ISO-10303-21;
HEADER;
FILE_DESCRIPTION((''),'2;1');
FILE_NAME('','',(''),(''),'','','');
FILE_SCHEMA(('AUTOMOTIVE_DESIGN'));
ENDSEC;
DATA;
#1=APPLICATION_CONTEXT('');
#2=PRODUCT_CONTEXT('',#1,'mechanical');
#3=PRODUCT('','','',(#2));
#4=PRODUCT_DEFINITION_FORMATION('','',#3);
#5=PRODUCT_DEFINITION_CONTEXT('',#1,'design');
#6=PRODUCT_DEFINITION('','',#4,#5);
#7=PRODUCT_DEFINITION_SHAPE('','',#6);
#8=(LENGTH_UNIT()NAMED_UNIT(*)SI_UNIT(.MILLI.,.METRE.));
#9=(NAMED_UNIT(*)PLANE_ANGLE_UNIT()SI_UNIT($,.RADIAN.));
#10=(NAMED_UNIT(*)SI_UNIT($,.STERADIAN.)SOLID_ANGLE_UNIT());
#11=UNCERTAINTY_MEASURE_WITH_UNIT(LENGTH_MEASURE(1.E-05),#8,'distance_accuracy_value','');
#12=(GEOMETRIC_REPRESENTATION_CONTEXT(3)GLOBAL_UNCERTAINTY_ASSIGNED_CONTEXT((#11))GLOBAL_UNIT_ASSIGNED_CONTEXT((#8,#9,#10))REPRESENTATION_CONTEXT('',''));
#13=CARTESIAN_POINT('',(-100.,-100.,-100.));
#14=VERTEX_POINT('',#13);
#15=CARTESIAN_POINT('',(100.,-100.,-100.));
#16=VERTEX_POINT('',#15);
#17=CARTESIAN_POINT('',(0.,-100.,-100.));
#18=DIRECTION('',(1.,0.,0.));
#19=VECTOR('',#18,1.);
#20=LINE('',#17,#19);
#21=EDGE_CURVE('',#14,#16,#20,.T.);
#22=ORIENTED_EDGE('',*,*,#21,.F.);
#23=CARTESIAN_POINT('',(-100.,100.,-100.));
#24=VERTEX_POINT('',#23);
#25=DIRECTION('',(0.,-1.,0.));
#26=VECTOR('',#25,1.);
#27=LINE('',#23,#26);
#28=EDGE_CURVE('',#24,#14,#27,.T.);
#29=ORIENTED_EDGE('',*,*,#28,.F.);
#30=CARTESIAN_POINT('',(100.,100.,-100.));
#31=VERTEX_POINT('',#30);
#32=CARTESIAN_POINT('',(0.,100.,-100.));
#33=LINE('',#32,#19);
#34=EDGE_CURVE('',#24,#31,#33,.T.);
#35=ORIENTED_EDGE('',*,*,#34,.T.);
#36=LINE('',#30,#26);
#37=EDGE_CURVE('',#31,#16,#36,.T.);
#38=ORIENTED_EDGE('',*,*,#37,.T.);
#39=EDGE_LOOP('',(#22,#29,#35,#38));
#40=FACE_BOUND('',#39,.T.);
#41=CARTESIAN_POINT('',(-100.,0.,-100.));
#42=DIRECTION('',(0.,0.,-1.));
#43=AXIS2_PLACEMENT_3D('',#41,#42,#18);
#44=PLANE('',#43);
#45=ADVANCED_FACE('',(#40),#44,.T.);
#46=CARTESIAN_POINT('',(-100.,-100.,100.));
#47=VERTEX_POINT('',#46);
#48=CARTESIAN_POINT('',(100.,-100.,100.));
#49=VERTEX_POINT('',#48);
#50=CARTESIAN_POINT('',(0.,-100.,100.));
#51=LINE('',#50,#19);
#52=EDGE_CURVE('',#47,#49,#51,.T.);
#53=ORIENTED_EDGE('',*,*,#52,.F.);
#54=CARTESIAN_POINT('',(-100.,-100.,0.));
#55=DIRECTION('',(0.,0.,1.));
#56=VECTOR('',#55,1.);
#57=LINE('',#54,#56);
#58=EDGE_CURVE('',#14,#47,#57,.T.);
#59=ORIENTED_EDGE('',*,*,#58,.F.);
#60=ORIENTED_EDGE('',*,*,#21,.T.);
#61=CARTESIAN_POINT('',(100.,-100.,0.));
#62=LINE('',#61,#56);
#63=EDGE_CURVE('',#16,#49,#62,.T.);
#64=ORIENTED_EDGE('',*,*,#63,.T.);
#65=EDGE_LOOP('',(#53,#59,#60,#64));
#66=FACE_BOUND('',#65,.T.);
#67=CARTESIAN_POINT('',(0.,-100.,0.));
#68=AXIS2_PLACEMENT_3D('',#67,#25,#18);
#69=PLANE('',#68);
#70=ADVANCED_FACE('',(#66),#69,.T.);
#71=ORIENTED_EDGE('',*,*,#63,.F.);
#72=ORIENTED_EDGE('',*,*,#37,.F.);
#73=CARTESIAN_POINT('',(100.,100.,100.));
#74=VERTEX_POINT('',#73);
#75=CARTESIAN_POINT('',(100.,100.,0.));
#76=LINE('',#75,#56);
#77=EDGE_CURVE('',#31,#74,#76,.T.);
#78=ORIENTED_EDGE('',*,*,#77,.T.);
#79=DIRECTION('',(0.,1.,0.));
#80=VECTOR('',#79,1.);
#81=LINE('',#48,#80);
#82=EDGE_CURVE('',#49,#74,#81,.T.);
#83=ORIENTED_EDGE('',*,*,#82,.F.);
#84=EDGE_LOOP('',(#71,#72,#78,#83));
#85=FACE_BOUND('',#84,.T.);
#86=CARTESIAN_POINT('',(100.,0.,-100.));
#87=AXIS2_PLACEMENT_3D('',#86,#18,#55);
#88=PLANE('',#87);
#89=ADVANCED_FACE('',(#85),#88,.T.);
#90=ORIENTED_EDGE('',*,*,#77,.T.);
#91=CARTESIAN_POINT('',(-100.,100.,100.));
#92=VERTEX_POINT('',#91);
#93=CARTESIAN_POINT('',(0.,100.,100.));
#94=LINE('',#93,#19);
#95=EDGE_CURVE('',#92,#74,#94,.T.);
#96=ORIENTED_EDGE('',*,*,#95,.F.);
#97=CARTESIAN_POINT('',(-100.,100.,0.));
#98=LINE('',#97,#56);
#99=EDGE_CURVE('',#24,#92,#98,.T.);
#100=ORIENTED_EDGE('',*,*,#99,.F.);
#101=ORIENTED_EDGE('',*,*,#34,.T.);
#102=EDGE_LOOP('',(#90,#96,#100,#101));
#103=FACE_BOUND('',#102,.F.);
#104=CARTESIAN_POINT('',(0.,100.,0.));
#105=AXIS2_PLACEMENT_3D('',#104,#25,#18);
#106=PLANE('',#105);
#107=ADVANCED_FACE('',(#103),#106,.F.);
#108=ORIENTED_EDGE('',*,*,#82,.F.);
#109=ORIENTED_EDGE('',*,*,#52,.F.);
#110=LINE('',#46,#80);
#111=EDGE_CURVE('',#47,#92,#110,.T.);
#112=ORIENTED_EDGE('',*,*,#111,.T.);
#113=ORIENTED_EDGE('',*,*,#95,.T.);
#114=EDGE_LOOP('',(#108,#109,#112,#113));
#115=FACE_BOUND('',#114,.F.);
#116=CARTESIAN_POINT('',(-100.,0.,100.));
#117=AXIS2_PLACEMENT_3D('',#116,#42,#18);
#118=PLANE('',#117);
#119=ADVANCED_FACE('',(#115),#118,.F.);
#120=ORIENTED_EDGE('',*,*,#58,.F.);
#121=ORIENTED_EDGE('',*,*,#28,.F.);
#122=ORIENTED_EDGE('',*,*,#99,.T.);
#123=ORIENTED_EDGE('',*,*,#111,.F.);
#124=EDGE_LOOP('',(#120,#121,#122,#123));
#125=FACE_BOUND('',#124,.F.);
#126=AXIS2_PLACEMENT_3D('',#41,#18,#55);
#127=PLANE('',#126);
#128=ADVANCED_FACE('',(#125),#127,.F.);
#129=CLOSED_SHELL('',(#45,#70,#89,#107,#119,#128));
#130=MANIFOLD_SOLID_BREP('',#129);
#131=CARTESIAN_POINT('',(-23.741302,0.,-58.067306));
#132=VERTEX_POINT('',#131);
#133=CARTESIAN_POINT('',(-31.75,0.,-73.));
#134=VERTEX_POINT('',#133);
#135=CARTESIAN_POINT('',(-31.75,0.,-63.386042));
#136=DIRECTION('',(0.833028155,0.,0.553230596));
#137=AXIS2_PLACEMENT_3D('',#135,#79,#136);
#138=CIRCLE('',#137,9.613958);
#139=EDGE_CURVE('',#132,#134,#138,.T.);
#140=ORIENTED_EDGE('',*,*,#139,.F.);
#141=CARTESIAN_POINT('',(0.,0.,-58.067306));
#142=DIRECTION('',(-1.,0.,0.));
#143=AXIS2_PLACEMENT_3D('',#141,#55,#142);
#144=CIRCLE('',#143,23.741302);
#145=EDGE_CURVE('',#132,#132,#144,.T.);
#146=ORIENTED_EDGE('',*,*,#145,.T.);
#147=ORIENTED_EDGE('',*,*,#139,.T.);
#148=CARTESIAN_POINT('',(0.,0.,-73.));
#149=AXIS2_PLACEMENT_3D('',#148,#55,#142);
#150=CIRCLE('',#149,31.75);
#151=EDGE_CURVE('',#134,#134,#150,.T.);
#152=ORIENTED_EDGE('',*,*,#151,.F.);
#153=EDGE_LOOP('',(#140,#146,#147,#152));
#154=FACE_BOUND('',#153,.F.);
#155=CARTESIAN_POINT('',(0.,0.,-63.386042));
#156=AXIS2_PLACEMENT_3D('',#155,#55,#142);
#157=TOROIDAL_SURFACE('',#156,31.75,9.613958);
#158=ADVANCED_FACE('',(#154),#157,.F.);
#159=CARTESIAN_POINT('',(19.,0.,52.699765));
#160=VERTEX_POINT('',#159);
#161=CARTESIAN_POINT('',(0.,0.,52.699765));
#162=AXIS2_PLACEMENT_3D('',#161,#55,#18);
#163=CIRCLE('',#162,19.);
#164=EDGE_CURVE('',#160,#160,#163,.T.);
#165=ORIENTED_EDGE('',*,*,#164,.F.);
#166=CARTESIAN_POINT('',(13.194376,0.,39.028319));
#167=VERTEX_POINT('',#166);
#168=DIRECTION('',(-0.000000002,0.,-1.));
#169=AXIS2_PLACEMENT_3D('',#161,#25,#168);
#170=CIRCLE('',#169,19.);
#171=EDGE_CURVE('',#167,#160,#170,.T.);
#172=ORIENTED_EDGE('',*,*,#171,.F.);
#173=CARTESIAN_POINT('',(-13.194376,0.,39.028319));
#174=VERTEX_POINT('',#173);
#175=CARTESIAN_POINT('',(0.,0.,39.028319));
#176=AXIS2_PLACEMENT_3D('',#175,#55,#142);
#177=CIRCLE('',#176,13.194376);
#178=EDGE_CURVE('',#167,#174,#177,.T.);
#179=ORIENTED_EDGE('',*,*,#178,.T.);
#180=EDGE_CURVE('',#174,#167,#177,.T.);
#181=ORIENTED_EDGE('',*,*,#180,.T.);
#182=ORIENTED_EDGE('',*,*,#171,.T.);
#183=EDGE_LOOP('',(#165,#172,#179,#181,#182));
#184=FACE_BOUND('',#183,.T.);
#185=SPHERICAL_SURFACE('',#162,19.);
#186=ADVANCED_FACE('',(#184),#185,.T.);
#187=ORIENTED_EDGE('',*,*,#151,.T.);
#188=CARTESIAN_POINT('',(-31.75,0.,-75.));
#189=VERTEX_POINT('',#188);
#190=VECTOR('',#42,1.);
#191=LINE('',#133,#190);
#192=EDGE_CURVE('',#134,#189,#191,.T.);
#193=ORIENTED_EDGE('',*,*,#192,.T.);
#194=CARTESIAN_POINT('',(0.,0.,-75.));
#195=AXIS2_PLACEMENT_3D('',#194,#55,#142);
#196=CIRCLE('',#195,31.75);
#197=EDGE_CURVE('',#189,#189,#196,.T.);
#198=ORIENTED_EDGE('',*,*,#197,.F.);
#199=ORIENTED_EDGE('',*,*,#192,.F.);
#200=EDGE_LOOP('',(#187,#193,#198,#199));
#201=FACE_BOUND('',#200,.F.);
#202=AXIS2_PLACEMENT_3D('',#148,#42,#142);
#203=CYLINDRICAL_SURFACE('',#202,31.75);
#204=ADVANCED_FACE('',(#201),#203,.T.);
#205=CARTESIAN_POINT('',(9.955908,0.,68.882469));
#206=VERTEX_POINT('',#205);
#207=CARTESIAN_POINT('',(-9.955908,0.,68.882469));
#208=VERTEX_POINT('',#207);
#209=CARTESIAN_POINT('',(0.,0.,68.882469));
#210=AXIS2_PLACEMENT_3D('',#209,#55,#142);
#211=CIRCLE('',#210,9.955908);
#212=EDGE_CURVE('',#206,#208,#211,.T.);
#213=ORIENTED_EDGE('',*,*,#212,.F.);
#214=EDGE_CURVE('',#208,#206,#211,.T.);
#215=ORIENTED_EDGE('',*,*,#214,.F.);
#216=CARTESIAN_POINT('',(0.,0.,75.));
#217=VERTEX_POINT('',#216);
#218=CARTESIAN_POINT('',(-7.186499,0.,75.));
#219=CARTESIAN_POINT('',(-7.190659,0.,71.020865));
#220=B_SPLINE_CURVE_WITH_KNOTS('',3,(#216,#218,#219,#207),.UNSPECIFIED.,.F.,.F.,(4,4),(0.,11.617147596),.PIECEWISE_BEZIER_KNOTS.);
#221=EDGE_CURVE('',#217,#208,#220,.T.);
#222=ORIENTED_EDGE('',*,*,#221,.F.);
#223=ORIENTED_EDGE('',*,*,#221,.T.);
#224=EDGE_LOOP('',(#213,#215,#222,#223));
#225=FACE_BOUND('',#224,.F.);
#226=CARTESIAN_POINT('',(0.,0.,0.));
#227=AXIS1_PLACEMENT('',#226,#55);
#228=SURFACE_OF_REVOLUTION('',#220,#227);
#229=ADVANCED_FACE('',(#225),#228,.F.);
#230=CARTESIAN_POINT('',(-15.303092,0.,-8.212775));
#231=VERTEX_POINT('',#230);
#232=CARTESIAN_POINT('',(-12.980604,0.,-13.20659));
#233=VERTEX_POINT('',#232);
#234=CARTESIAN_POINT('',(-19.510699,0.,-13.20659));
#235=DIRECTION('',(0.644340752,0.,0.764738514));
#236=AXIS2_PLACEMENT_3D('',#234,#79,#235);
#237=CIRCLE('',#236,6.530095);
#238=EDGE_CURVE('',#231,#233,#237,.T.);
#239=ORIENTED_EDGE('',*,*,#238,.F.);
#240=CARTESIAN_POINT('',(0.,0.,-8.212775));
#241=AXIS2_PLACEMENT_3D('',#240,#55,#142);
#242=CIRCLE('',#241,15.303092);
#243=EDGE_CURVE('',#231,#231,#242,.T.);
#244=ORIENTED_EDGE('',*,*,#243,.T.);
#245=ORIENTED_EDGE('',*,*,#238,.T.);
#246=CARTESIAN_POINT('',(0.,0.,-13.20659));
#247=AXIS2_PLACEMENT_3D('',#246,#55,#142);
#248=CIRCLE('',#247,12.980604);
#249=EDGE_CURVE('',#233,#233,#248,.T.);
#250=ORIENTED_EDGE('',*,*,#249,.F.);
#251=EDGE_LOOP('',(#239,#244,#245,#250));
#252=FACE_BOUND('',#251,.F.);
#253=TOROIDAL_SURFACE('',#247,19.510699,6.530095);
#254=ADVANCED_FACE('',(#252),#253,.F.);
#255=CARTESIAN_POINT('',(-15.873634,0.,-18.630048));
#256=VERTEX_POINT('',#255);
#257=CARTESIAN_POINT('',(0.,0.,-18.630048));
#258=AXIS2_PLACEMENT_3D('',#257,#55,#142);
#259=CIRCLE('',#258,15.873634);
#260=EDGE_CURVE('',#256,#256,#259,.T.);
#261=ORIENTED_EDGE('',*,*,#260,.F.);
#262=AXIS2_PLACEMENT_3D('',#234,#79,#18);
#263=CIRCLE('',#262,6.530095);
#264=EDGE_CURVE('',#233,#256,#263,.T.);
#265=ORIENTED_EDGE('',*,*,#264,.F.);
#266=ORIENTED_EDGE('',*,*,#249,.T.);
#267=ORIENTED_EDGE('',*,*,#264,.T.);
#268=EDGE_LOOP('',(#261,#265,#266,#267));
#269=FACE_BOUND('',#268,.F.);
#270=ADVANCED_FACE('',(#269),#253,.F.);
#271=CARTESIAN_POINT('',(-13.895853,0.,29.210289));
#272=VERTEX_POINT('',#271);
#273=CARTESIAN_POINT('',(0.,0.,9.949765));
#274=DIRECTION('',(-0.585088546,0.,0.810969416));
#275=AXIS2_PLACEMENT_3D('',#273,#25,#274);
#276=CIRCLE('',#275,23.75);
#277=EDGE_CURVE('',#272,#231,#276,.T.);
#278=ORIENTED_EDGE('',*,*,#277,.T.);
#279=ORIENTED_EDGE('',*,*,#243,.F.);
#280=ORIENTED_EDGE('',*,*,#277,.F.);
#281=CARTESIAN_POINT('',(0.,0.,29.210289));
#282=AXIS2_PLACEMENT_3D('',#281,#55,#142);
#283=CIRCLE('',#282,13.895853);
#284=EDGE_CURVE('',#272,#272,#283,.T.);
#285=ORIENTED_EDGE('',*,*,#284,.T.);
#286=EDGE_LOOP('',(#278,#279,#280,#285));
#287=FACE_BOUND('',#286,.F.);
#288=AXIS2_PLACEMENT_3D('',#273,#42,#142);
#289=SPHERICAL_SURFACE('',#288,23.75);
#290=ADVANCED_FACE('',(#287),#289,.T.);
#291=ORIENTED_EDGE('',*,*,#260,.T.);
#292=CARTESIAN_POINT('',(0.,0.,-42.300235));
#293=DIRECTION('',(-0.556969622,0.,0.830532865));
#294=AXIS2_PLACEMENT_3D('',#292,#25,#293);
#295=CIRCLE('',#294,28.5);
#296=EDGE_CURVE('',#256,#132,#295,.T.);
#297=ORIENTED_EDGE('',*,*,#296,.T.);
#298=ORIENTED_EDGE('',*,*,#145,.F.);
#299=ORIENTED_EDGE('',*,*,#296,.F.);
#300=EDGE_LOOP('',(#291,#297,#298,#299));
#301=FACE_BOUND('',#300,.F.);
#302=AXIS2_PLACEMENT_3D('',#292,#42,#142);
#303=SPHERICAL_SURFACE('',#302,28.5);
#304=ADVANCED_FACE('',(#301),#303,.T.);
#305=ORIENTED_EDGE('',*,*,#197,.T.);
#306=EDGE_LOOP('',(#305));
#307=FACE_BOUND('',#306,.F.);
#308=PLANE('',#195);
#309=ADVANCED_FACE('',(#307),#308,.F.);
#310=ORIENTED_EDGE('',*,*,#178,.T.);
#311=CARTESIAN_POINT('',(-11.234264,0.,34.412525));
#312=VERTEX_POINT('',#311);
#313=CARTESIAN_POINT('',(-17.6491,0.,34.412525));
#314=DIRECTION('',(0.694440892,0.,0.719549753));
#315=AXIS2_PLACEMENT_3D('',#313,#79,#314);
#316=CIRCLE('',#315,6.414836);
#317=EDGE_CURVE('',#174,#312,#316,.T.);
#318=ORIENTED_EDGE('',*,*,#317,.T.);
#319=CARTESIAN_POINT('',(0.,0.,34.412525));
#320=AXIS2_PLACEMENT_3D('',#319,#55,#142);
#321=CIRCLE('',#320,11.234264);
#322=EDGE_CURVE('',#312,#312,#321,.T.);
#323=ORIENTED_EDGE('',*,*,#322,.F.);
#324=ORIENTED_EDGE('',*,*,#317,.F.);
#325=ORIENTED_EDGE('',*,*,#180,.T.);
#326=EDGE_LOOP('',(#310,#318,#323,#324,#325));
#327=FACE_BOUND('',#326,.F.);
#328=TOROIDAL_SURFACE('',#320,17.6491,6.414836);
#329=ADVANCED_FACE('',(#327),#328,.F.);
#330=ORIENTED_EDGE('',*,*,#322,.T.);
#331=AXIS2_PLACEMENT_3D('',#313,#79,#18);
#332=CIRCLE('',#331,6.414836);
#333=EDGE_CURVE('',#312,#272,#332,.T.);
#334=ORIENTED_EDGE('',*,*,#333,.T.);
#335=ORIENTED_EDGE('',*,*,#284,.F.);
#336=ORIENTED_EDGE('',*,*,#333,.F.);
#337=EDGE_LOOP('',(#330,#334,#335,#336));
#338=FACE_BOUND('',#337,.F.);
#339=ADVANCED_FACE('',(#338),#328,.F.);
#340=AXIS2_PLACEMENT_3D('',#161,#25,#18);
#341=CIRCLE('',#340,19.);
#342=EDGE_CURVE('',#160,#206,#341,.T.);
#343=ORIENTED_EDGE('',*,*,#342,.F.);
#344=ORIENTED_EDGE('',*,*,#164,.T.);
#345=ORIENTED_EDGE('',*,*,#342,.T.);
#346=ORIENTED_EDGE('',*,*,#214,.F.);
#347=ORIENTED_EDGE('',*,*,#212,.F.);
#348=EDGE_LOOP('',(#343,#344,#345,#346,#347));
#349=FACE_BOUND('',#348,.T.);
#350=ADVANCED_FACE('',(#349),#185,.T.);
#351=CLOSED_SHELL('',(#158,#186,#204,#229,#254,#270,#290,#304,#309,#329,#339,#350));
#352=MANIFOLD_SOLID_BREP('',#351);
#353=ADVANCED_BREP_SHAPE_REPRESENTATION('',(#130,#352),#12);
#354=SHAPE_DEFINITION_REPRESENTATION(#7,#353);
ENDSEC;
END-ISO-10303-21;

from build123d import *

# Parameters (mm, degrees)
F0_W     = 200
F0_H     = 200
F1_DEPTH = 100


with BuildPart() as f1:
    # F0 (on Front) → F1 (new body, symmetric)
    with BuildSketch(Plane.XZ):
        Rectangle(F0_W, F0_H)
    extrude(amount=F1_DEPTH, both=True)


with BuildPart() as f3:
    # F2 (on Front) → F3 (revolve)
    with BuildSketch(Plane.XZ):
        with BuildLine():
            ThreePointArc((-9.9559084112, 68.8824688491), (-5.1734242216, 70.9818792126), (0, 71.6997654993))
            Line((0, 71.6997654993), (0, 75))
            add(Edge.make_bspline(
                [(0, 75), (-7.186499486, 75), (-7.1906589971, 71.0208649593), (-9.9559084112, 68.8824688491)],
                knots=[0, 0, 0, 0, 11.6171475955, 11.6171475955, 11.6171475955, 11.6171475955], degree=3))
        make_face()
        with BuildLine():
            Line((0, 71.6997654993), (0, 33.6997654993))
            ThreePointArc((-3.19e-08, 33.6997654993), (13.4350288313, 39.2647366455), (19, 52.6997654993))
            ThreePointArc((19, 52.6997654993), (13.4350288425, 66.1347943419), (0, 71.6997654993))
        make_face()
        with BuildLine():
            ThreePointArc((-13.8958529579, 29.2102891312), (-7.301543131, 32.5495435493), (-3.19e-08, 33.6997654993))
            ThreePointArc((-3.19e-08, 33.6997654993), (-7.114861809, 35.0821963867), (-13.1943757294, 39.02831901))
            ThreePointArc((-13.1943757294, 39.02831901), (-11.7445913157, 36.9198937971), (-11.2342640552, 34.4125250942))
            ThreePointArc((-11.2342640552, 34.4125250942), (-11.93829514, 31.4907399164), (-13.8958529579, 29.2102891312))
        make_face()
        with BuildLine():
            ThreePointArc((-15.303092433, -8.2127745759), (-8.1456176349, -12.3596812295), (-6.3e-09, -13.8002345007))
            Line((0, -13.8002345007), (0, 33.6997654993))
            ThreePointArc((-3.19e-08, 33.6997654993), (-7.301543131, 32.5495435493), (-13.8958529579, 29.2102891312))
            ThreePointArc((-13.8958529579, 29.2102891312), (-23.7332262302, 10.8422186957), (-15.303092433, -8.2127745759))
        make_face()
        with BuildLine():
            ThreePointArc((-15.8736342354, -18.6300478482), (-8.2960737854, -15.0344104759), (-6.3e-09, -13.8002345007))
            ThreePointArc((-6.3e-09, -13.8002345007), (-8.1456176349, -12.3596812295), (-15.303092433, -8.2127745759))
            ThreePointArc((-15.303092433, -8.2127745759), (-13.5896258763, -10.4528583755), (-12.9806038491, -13.2065895245))
            ThreePointArc((-12.9806038491, -13.2065895245), (-13.7490793671, -16.2800047667), (-15.8736342354, -18.6300478482))
        make_face()
        with BuildLine():
            ThreePointArc((-23.7413024203, -58.0673064985), (-13.4701233859, -67.416081609), (0, -70.8002345007))
            Line((0, -70.8002345007), (0, -13.8002345007))
            ThreePointArc((-6.3e-09, -13.8002345007), (-8.2960737854, -15.0344104759), (-15.8736342354, -18.6300478482))
            ThreePointArc((-15.8736342354, -18.6300478482), (-27.9492422799, -36.7244066717), (-23.7413024203, -58.0673064985))
        make_face()
        with BuildLine():
            Line((-31.75, -75), (0, -75))
            Line((0, -75), (0, -70.8002345007))
            ThreePointArc((0, -70.8002345007), (-13.4701233859, -67.416081609), (-23.7413024203, -58.0673064985))
            ThreePointArc((-23.7413024203, -58.0673064985), (-23.2776247113, -67.9299438451), (-31.75, -73))
            Line((-31.75, -73), (-31.75, -75))
        make_face()
    revolve(axis=Axis((0, 0, 0), (0, 0, 1)))


solid = Compound([f1.part, f3.part])
